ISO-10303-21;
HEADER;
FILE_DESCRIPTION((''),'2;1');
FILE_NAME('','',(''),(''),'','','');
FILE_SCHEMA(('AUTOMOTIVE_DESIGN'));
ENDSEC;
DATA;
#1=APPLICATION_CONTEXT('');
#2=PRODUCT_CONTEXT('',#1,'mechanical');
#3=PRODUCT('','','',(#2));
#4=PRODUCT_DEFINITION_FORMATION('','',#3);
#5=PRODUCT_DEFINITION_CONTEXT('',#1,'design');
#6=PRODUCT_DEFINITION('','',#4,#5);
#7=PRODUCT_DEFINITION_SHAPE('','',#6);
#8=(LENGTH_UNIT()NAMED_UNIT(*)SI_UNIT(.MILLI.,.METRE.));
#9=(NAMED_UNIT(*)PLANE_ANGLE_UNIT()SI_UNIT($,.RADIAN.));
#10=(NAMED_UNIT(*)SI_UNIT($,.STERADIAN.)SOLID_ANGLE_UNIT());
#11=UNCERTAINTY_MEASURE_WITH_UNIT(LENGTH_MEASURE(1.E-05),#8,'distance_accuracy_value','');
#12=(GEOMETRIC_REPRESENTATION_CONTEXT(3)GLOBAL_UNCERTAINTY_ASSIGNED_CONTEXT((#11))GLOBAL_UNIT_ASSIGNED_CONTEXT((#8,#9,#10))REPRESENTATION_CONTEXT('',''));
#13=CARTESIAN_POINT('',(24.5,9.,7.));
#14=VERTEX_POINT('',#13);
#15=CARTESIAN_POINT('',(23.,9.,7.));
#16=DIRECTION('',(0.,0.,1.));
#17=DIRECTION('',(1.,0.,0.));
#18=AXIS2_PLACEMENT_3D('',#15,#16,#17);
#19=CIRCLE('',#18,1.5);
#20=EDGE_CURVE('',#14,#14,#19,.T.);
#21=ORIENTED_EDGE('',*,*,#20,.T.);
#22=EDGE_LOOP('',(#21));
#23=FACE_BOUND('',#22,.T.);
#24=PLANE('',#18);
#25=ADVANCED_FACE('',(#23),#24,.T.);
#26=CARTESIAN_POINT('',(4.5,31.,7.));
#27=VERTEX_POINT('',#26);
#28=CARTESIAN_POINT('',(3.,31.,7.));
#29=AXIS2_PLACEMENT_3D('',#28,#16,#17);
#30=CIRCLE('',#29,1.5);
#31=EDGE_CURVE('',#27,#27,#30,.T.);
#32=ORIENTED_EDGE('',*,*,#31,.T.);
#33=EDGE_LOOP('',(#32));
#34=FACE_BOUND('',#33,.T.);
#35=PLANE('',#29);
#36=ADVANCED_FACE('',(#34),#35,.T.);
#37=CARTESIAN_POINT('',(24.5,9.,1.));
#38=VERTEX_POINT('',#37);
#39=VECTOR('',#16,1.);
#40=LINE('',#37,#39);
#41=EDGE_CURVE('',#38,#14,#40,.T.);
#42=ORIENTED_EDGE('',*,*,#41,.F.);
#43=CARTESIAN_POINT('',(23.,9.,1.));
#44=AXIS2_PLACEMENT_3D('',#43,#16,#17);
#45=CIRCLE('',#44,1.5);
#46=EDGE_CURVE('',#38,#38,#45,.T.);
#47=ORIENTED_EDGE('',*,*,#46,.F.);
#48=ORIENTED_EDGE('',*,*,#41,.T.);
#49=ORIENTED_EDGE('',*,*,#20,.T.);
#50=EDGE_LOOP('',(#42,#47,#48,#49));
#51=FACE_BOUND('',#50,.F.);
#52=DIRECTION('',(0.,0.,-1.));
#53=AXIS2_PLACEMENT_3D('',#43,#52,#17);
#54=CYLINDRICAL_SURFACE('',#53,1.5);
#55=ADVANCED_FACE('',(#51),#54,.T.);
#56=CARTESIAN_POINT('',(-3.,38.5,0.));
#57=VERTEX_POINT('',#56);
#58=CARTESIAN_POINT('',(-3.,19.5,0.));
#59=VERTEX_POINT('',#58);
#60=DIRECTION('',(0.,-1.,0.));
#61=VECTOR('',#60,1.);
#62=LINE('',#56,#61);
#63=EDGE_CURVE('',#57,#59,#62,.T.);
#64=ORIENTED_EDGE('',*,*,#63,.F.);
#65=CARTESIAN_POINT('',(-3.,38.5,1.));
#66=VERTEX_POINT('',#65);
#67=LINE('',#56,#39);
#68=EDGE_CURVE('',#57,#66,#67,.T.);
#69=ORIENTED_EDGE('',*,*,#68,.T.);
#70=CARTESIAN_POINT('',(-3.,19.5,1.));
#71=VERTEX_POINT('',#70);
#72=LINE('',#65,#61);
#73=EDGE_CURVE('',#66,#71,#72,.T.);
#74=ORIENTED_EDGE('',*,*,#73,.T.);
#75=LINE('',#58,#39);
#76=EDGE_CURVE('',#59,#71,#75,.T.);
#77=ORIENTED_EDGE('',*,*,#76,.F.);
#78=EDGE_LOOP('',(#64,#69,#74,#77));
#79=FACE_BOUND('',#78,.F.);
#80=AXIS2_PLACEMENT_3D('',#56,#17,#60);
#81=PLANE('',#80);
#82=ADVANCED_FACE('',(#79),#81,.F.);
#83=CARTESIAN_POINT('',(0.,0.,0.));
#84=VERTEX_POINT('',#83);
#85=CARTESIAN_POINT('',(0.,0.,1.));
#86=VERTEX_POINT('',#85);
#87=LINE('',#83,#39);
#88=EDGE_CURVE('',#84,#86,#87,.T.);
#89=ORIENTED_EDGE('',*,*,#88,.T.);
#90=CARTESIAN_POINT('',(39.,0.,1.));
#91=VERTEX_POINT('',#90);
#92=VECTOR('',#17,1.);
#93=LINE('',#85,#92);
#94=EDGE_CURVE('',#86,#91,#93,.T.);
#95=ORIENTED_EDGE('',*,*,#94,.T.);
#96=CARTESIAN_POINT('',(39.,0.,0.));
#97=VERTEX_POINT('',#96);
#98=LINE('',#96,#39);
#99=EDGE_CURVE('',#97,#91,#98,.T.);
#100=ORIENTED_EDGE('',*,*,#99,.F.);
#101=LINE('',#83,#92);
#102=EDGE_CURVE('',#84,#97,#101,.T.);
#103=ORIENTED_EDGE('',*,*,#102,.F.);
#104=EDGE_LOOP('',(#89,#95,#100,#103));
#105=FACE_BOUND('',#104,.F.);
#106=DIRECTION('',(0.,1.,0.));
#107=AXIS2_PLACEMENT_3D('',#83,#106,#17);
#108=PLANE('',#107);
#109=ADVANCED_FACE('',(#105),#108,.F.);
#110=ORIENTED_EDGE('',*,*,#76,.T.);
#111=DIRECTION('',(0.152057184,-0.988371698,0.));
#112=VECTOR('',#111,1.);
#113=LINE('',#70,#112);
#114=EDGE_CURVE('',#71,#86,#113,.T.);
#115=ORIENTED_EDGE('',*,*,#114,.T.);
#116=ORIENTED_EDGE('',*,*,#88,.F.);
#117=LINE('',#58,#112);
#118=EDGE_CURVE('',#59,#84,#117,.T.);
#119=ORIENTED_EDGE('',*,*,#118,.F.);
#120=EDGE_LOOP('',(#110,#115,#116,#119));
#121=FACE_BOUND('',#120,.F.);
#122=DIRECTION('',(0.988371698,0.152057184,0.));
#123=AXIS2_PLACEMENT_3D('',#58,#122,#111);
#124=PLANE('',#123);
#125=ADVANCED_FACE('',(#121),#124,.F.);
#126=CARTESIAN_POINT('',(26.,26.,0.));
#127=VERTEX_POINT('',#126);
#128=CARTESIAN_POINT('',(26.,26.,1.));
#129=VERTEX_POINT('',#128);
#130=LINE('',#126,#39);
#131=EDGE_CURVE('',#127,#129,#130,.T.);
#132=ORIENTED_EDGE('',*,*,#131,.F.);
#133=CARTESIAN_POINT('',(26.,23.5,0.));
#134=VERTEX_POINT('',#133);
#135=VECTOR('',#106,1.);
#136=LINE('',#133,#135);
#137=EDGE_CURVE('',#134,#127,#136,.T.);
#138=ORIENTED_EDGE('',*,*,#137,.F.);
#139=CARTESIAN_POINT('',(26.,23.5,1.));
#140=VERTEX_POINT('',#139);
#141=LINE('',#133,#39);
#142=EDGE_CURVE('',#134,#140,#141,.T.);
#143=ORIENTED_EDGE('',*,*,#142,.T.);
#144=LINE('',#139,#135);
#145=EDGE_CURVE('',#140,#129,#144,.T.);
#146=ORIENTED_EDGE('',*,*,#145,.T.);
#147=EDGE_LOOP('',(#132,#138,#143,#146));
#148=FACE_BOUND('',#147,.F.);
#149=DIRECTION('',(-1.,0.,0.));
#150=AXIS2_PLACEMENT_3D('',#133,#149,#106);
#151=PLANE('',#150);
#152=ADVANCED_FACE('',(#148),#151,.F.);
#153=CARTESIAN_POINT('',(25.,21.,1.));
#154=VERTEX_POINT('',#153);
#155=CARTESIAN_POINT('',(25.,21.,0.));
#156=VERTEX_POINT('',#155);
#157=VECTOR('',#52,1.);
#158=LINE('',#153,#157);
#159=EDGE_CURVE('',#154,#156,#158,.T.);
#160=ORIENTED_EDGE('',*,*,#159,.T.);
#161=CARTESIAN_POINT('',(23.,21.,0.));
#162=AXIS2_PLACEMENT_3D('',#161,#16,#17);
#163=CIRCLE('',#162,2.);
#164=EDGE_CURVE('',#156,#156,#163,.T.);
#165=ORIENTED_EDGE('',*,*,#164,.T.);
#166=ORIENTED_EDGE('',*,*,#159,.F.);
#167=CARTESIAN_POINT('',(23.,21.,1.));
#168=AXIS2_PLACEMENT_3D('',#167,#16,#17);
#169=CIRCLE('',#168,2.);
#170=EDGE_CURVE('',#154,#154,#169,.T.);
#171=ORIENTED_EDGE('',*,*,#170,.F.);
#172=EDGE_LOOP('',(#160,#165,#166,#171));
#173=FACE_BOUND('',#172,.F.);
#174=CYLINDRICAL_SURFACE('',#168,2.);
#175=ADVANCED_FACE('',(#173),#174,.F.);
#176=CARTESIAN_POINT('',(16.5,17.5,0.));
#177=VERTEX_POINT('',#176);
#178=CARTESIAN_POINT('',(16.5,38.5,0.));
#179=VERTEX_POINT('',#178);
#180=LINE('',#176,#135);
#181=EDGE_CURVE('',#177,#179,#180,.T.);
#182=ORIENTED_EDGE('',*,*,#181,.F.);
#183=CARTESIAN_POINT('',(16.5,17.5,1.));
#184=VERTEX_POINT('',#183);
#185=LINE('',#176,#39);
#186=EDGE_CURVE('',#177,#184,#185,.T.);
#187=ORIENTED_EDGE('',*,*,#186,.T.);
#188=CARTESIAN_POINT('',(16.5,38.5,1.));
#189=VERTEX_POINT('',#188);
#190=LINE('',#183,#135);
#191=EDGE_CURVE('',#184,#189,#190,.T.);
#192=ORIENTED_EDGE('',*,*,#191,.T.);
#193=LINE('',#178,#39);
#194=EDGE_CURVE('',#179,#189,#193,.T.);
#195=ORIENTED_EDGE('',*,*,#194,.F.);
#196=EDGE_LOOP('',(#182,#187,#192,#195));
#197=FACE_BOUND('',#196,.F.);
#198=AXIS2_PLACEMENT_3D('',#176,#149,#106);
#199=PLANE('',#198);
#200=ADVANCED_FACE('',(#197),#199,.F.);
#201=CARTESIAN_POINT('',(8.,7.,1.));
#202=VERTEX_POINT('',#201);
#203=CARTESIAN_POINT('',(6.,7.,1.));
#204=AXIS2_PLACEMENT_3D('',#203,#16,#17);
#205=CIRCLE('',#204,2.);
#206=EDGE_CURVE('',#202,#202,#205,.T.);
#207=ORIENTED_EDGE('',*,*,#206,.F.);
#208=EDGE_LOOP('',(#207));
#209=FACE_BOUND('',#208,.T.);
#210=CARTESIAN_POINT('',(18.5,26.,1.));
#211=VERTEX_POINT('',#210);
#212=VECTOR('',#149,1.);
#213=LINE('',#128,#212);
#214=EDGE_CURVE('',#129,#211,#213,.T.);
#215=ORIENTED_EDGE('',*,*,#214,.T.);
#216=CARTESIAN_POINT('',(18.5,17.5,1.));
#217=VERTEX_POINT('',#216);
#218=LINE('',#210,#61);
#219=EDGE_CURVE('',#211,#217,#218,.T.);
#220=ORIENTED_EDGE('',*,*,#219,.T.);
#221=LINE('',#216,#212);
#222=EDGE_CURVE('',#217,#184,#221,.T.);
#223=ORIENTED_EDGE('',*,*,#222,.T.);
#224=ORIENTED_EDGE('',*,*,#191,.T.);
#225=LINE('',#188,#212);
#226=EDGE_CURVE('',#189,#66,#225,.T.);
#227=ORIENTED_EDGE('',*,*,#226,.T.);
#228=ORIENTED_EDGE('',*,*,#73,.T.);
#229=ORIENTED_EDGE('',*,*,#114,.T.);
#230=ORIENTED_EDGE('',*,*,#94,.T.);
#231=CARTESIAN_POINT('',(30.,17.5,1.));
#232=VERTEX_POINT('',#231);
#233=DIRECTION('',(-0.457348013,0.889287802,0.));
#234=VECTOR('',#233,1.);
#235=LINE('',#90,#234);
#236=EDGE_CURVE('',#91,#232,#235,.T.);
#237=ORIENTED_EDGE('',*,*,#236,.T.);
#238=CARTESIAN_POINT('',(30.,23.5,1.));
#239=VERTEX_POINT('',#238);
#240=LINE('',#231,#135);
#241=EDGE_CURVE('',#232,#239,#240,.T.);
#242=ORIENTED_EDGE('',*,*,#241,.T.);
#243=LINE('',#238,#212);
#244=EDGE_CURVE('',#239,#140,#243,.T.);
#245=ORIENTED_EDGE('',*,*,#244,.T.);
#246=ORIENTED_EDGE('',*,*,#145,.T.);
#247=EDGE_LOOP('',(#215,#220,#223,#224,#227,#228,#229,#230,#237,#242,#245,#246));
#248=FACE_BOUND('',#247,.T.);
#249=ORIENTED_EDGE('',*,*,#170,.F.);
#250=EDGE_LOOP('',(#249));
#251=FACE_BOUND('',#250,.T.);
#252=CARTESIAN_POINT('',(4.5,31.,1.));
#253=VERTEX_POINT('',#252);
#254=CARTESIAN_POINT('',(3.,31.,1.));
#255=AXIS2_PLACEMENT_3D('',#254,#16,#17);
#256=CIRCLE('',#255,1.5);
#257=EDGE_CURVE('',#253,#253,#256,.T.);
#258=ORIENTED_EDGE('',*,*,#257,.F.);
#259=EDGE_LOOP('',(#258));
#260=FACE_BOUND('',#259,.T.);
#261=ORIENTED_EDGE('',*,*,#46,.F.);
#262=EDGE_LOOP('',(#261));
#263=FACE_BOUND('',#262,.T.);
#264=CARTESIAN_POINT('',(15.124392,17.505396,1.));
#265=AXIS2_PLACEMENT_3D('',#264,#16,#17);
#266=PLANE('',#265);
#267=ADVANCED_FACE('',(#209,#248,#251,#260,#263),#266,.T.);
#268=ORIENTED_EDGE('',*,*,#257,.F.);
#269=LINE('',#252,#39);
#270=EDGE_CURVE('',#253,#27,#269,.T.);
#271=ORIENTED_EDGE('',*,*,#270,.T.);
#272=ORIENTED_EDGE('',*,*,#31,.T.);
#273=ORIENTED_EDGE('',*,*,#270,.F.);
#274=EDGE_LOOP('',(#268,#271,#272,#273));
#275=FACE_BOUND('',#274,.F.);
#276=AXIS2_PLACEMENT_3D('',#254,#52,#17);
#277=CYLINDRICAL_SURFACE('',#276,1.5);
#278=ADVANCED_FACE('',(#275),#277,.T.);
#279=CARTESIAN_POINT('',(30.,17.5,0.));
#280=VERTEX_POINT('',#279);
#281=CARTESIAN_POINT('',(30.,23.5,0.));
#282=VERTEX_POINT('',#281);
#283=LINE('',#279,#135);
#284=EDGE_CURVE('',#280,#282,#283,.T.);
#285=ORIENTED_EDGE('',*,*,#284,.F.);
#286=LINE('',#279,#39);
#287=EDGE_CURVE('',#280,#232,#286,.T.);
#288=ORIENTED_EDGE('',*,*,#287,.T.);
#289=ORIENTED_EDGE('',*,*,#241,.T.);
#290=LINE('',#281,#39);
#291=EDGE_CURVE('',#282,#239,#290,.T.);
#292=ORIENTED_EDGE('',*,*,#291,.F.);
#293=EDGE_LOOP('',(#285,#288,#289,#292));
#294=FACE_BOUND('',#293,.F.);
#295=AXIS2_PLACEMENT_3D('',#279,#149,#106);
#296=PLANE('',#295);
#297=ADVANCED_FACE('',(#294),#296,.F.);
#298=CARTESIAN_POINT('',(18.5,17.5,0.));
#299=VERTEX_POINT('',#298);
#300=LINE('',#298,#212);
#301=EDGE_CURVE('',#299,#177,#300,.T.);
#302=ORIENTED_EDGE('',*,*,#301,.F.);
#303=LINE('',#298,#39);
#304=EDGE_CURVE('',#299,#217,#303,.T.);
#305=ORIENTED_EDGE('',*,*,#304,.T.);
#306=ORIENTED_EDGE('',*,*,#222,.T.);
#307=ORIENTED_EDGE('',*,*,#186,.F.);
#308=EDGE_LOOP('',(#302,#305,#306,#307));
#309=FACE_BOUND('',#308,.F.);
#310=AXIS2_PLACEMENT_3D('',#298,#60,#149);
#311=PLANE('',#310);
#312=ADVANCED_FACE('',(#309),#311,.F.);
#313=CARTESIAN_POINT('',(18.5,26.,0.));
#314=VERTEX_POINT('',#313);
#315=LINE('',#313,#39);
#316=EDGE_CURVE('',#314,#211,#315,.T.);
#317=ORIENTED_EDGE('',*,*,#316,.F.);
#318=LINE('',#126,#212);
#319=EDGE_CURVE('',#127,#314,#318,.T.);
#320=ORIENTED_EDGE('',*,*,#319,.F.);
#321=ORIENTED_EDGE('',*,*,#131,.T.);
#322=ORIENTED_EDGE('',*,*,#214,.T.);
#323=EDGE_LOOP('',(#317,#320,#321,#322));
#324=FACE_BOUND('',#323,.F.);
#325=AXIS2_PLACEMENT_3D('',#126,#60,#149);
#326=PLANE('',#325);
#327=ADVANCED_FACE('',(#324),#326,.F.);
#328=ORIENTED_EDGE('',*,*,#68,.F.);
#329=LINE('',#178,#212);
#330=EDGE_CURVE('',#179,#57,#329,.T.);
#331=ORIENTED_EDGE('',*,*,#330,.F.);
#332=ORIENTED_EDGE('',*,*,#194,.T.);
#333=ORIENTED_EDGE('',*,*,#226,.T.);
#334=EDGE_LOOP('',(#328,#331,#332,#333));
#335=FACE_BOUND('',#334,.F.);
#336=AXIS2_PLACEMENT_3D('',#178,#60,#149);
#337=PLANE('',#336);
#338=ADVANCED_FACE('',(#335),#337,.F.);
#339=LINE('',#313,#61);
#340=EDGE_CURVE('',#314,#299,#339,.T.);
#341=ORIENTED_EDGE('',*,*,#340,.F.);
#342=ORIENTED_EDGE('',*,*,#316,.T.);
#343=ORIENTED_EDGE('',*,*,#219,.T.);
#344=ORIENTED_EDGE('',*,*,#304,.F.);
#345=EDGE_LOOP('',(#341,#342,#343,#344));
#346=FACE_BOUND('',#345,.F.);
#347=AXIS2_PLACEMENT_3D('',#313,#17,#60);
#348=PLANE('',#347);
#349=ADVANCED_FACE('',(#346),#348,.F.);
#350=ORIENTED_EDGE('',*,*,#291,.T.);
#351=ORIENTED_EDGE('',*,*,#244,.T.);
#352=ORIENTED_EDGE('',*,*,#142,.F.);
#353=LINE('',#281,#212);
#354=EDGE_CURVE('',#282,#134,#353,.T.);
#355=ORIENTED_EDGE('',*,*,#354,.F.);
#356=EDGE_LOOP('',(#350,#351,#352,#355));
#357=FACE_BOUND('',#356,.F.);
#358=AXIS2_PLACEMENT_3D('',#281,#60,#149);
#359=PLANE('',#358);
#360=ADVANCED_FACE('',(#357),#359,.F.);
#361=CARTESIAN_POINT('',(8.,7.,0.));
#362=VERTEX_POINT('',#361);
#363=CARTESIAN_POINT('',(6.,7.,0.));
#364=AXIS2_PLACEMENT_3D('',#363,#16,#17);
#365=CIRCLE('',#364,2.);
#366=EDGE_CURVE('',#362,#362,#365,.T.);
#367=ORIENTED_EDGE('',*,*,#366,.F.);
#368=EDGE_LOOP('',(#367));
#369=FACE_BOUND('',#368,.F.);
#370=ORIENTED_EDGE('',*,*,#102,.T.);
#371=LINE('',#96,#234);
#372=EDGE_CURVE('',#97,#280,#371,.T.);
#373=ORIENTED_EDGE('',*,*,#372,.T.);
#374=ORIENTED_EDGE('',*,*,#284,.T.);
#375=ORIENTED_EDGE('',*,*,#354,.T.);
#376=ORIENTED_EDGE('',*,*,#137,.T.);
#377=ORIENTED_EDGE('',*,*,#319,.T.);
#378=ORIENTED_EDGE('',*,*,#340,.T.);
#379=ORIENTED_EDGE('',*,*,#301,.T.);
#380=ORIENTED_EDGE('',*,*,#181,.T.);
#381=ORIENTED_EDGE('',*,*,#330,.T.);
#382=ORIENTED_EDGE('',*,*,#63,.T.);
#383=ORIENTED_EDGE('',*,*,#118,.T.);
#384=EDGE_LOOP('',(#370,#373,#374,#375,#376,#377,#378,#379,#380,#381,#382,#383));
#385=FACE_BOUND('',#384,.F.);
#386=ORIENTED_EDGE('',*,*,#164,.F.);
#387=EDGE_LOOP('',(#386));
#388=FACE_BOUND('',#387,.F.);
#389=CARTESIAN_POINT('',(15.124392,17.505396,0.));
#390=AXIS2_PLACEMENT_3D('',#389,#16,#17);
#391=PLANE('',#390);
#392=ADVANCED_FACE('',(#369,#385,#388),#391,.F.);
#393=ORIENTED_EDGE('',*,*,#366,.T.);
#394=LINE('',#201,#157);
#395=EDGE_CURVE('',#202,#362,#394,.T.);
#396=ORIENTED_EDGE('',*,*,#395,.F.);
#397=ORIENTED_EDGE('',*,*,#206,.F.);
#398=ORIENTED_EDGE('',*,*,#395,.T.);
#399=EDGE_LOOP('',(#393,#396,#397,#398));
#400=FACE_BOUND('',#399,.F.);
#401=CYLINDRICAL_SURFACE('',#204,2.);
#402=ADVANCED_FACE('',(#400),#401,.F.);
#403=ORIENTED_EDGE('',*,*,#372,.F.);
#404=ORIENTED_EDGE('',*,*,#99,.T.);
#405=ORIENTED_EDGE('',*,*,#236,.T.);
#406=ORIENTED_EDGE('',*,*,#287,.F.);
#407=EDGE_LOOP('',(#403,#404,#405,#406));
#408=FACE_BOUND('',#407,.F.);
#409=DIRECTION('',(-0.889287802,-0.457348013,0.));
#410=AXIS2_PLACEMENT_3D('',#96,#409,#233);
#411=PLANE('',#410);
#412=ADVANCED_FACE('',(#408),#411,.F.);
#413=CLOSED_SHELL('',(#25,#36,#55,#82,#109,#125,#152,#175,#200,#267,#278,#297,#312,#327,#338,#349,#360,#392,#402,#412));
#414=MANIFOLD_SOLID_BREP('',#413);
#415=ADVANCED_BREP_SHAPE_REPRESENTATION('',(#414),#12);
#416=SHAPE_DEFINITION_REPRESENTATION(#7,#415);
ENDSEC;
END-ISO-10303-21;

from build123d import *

# Parameters (mm, degrees)
PAD_DEPTH    = 1
SKETCH001_R  = 1.5
PAD001_DEPTH = 6
SKETCH002_R  = 2
POCKET_DEPTH = 1.001


with BuildPart() as part:
    # Sketch → Pad (new body)
    with BuildSketch(Plane.XY):
        Polygon((0, 0), (39, 0), (30, 17.5), (30, 23.5), (26, 23.5), (26, 26), (18.5, 26), (18.5, 17.5), (16.5, 17.5), (16.5, 38.5), (-3, 38.5), (-3, 19.5), align=None)
    extrude(amount=PAD_DEPTH)

    # Sketch001 (on Face14 of Pad) → Pad001 (join)
    with BuildSketch(Plane.XY.offset(1)):
        with Locations((3, 31)):
            Circle(SKETCH001_R)
        with Locations((23, 9)):
            Circle(SKETCH001_R)
    extrude(amount=PAD001_DEPTH)

    # Sketch002 (on Face5 of Pad001) → Pocket (cut, through all)
    with BuildSketch(Plane.XY.offset(1)):
        with Locations((6, 7)):
            Circle(SKETCH002_R)
        with Locations((23, 21)):
            Circle(SKETCH002_R)
    extrude(amount=-POCKET_DEPTH, mode=Mode.SUBTRACT)


solid = part.part
